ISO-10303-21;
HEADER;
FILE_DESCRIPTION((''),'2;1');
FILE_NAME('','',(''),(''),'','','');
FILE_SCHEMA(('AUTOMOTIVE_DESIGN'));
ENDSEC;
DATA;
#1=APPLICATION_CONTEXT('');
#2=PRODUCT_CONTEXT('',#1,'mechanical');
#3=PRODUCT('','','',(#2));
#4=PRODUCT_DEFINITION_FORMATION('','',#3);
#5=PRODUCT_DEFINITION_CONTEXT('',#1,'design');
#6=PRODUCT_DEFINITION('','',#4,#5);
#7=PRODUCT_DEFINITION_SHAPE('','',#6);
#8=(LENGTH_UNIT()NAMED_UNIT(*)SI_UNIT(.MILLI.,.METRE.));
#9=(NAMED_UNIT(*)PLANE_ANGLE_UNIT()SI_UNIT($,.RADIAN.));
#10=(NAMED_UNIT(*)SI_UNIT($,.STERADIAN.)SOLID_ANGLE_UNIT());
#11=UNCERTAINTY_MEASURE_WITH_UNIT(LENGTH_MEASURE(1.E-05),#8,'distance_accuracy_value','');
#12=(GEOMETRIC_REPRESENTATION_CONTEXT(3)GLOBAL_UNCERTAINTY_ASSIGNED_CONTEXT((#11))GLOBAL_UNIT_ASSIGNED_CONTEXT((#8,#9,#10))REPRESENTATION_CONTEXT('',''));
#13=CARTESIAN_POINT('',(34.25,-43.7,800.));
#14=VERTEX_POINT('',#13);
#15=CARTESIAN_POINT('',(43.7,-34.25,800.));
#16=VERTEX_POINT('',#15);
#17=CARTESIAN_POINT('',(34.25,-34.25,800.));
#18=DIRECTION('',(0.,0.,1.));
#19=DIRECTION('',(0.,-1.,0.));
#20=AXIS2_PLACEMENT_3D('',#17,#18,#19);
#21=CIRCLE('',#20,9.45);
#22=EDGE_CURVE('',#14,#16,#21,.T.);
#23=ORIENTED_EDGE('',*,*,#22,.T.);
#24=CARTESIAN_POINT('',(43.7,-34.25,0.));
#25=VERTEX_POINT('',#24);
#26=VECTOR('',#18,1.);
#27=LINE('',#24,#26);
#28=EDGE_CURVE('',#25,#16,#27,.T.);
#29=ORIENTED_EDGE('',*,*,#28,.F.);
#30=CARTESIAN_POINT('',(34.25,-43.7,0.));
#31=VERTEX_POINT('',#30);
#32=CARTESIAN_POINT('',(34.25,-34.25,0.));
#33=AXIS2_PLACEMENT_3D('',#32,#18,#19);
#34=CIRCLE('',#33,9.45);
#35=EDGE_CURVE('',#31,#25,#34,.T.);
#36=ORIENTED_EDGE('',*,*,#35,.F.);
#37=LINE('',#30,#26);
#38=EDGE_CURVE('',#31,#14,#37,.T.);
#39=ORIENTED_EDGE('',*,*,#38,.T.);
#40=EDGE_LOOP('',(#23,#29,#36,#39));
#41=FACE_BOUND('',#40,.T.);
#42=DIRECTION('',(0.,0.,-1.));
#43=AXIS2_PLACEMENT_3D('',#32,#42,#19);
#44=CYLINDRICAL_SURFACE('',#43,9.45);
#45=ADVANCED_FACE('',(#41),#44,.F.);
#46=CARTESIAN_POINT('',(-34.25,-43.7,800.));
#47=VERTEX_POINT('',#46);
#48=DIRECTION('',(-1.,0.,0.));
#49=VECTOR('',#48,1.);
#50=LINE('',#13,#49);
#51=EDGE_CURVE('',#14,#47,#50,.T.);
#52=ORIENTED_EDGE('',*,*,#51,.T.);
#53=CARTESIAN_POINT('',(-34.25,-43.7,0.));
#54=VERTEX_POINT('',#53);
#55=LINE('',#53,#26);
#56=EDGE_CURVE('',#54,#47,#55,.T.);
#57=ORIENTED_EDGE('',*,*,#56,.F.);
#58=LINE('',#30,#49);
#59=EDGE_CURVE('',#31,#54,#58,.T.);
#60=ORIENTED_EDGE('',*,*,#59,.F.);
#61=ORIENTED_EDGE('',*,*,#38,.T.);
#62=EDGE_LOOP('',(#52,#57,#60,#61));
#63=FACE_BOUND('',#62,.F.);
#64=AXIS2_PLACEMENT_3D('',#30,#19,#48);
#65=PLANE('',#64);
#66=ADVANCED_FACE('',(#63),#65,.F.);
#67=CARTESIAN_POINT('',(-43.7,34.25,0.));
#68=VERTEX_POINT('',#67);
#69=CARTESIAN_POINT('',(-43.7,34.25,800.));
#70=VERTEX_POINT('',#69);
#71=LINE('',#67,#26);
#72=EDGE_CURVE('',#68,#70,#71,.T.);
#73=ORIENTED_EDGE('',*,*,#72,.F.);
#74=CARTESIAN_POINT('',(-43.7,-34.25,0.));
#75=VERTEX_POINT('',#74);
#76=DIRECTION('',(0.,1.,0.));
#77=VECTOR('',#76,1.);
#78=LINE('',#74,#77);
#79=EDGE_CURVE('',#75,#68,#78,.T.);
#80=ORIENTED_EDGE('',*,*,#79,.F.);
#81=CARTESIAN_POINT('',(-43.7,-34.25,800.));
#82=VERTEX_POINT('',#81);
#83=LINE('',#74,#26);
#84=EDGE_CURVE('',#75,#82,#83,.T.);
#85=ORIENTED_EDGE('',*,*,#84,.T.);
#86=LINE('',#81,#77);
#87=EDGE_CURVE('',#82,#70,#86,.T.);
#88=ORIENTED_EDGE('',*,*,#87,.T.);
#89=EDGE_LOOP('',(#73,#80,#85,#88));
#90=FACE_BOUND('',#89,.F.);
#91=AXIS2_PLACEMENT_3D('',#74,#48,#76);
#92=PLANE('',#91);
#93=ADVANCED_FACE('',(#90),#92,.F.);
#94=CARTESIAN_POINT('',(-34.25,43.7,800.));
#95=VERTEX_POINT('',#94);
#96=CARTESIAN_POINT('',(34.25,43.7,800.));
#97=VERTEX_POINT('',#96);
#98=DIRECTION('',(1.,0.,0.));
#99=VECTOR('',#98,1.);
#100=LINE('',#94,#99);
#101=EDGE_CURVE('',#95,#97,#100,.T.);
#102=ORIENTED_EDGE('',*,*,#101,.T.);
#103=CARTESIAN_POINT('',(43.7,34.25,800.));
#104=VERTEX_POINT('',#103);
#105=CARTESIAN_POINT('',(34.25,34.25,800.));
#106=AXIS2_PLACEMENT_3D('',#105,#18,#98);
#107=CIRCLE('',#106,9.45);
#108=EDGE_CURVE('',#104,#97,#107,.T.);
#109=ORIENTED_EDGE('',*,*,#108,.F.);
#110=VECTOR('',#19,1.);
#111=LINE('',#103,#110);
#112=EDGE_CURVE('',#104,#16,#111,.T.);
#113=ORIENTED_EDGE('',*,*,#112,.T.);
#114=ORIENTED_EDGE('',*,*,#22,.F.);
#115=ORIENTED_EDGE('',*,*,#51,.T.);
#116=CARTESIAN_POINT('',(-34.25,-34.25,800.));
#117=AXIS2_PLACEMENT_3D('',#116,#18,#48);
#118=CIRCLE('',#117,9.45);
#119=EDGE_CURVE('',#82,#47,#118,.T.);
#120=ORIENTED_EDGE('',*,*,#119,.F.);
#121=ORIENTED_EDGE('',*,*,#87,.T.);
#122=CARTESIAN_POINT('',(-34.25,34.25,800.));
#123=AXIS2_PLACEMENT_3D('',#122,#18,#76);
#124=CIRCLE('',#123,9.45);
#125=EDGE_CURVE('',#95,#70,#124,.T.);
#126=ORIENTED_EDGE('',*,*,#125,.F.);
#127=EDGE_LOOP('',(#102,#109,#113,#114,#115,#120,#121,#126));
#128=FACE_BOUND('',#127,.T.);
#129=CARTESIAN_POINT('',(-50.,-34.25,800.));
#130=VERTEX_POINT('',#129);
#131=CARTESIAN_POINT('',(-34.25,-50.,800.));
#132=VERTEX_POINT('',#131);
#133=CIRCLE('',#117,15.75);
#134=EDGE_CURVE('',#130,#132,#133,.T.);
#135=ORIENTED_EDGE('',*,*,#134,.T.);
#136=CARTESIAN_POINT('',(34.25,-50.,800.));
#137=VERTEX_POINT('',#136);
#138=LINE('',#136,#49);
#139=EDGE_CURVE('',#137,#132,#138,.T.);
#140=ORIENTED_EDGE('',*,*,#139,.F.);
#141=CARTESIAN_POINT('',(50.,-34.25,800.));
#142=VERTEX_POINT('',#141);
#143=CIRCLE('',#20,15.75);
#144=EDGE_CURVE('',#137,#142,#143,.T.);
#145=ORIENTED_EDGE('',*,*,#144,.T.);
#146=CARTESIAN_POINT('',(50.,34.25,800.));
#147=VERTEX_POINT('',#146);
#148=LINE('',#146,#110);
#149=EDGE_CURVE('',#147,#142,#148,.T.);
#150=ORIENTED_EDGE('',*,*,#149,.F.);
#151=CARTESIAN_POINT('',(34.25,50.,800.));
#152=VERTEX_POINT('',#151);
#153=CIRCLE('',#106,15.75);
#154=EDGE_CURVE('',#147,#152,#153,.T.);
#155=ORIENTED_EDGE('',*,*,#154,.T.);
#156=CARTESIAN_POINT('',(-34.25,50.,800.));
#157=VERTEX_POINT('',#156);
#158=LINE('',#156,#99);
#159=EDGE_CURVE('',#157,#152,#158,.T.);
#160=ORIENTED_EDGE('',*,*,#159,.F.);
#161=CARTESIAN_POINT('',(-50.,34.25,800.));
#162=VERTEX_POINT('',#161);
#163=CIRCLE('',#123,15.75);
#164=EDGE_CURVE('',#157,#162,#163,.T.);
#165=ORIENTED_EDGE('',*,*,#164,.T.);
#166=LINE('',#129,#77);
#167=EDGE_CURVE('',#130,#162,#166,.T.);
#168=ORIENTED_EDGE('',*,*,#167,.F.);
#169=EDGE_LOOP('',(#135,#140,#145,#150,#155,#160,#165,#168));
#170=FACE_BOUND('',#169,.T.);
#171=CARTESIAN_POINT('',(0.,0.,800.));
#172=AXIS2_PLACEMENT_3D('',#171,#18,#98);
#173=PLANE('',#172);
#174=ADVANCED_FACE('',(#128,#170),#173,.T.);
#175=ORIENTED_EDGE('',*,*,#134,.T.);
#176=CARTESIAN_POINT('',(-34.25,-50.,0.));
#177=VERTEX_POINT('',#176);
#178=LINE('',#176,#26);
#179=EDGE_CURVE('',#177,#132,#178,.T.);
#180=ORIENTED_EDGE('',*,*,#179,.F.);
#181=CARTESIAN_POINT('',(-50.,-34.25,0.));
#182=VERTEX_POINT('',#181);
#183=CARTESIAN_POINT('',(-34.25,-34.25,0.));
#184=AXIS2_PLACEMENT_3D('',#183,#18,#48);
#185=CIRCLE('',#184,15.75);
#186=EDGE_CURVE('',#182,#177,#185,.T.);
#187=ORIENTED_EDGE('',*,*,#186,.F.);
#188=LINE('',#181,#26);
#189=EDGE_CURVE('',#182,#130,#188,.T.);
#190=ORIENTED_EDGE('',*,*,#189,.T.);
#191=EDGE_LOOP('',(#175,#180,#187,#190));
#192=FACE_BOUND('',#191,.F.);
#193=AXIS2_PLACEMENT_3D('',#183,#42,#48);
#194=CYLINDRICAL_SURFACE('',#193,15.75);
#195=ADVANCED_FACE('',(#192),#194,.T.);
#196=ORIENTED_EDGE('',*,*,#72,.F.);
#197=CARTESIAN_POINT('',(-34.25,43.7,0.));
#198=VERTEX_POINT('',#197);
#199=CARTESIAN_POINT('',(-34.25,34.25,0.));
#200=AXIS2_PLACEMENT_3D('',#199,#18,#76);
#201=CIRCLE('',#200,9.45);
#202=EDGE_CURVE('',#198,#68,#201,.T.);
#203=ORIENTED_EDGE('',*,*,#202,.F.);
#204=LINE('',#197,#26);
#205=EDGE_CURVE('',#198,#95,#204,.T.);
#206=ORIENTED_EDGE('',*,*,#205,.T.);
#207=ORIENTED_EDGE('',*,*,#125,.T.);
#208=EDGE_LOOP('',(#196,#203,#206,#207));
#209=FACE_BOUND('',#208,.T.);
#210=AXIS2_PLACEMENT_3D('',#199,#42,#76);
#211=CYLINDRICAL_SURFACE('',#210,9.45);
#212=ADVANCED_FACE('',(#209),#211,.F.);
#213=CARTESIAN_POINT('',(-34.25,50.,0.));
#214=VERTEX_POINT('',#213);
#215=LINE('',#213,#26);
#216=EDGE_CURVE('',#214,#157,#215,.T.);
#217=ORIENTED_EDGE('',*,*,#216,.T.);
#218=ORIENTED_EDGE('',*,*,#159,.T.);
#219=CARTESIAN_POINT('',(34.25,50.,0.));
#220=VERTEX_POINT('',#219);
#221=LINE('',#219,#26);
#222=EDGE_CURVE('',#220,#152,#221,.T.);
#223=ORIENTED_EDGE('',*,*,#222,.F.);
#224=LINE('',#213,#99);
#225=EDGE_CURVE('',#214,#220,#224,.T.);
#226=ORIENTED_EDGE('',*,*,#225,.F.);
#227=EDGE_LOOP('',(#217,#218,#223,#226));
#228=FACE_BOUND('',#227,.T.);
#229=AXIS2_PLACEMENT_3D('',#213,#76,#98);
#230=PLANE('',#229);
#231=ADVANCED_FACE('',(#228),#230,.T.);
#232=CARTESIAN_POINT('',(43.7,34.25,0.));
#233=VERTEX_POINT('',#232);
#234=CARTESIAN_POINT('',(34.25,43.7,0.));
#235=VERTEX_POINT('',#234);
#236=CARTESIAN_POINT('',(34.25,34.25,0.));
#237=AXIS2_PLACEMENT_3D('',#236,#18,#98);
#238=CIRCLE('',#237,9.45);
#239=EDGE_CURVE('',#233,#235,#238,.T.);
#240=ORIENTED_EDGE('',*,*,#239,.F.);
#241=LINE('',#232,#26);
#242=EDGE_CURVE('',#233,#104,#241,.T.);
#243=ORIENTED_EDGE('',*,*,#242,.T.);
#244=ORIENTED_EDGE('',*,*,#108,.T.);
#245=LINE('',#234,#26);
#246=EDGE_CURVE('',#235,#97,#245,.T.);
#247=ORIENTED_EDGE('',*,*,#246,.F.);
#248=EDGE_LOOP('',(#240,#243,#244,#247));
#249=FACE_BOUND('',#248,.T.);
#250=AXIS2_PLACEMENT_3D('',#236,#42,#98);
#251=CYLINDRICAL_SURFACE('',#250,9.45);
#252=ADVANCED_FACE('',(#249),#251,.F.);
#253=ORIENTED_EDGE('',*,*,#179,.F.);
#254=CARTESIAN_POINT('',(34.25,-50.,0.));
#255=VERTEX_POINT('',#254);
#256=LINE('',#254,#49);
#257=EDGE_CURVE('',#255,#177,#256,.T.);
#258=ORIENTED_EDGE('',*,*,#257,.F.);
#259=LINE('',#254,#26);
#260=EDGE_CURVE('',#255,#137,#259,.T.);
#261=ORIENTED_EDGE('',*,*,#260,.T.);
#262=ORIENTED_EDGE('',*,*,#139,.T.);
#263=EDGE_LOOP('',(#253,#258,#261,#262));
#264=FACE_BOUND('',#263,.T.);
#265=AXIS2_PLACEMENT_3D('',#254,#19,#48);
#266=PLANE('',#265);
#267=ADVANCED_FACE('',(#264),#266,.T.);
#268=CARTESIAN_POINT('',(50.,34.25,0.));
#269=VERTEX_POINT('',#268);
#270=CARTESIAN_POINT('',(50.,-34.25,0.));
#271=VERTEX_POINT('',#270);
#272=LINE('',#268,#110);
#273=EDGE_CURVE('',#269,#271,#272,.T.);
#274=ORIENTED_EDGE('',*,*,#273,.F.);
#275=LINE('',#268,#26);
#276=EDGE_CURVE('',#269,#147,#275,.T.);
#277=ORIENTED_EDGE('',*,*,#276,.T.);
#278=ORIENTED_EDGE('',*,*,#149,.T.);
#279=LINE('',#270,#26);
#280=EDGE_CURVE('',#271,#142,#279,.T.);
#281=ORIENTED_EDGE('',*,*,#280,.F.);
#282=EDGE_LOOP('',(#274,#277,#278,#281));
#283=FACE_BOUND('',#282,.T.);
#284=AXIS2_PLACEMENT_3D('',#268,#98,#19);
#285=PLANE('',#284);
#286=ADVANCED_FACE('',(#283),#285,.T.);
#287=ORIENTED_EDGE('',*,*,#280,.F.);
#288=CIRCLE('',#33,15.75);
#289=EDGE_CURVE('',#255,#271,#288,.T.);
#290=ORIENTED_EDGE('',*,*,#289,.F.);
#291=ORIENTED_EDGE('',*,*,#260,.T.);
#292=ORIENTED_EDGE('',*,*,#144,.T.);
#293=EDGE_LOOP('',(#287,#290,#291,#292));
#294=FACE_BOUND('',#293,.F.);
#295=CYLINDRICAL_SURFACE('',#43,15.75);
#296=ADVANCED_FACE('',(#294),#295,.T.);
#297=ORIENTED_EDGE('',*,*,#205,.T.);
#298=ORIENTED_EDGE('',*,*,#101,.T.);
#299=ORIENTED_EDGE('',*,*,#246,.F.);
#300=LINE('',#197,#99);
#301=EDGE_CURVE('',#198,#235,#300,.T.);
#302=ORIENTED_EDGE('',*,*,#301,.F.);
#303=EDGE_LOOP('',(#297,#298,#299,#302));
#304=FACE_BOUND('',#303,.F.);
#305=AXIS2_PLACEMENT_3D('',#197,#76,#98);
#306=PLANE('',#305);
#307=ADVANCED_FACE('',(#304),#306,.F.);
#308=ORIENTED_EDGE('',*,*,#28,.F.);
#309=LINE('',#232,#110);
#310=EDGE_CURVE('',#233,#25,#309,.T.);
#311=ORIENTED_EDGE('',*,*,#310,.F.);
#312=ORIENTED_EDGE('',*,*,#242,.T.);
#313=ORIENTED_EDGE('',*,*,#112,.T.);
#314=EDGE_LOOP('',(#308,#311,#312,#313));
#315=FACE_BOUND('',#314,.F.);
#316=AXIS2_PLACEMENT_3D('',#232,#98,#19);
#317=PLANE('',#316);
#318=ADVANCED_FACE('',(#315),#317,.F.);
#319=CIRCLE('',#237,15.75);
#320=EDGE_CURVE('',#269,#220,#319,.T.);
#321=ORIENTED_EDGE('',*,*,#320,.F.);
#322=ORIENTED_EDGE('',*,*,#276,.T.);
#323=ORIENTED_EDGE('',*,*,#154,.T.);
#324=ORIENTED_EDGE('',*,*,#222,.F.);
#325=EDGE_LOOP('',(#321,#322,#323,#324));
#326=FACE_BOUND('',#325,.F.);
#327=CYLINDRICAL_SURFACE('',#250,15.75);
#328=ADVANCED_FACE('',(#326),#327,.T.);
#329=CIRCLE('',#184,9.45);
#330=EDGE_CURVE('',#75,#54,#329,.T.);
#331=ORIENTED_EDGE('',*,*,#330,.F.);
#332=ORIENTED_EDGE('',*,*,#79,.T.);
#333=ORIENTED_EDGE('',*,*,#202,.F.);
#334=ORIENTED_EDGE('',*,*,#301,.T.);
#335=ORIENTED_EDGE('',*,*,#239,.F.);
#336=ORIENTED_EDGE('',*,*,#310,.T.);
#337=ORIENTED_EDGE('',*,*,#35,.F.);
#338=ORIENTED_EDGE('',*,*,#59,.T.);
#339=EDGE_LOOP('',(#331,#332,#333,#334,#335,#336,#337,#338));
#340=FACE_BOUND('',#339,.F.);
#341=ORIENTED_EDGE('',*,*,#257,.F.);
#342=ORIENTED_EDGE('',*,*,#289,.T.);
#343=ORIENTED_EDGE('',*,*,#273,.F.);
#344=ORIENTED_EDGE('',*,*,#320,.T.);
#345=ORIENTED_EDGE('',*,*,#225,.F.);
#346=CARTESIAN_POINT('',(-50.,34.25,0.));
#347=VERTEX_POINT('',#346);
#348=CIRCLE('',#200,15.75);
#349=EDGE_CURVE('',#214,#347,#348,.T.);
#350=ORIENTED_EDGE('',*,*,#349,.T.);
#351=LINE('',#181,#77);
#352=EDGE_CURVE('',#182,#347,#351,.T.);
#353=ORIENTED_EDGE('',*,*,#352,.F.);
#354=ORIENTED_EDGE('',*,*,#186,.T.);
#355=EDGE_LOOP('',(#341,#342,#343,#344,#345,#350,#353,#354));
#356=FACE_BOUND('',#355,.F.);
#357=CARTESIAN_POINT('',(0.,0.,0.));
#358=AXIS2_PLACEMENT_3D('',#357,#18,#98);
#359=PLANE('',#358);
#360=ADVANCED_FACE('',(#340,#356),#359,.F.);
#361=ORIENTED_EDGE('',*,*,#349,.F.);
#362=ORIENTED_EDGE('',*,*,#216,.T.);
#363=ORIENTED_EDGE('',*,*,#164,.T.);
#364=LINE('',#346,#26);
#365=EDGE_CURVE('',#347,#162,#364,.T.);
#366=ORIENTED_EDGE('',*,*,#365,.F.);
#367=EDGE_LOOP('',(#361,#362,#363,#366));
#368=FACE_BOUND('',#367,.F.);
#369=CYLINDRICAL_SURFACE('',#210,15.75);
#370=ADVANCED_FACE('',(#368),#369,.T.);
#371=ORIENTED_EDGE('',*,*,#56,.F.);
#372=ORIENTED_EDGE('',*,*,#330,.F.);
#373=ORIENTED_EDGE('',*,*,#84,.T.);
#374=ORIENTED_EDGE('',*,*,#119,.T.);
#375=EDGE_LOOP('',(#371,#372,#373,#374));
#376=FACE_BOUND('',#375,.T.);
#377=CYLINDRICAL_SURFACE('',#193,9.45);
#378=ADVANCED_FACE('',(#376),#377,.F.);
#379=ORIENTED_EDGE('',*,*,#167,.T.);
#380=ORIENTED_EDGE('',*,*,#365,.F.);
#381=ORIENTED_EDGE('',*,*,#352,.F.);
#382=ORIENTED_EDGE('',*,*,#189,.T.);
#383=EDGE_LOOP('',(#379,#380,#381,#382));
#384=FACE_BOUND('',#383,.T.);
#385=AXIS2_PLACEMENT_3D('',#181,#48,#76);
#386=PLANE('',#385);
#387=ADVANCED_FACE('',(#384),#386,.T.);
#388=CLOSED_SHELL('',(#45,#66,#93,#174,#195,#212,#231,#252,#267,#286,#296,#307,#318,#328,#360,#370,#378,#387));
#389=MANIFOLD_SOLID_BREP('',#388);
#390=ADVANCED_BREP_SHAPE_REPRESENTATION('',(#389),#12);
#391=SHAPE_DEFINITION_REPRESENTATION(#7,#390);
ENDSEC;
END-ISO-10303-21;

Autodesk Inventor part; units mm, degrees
ref_plane "YZ Plane" through (0, 0, 0) normal (1, 0, 0) x (0, 1, 0)
ref_plane "Start Plane" through (0, 0, 0) normal (0, 0, 1) x (1, 0, 0)
ref_plane "End Plane" through (0, 0, 800) normal (0, 0, 1) x (1, 0, 0)
sketch "Sketch" plane through (0, 0, 0) normal (0, 0, 1) x (1, 0, 0)
  line L0 (-50, -34.25) -> (-50, 34.25)
  line L1 (-34.25, 50) -> (34.25, 50)
  line L2 (50, 34.25) -> (50, -34.25)
  line L3 (34.25, -50) -> (-34.25, -50)
  arc A0 (-50, -34.25) -> (-34.25, -50) centre (-34.25, -34.25) ccw
  arc A1 (50, 34.25) -> (34.25, 50) centre (34.25, 34.25) ccw
  arc A2 (-34.25, 50) -> (-50, 34.25) centre (-34.25, 34.25) ccw
  arc A3 (34.25, -50) -> (50, -34.25) centre (34.25, -34.25) ccw
  arc A4 (-34.25, 43.7) -> (-43.7, 34.25) centre (-34.25, 34.25) ccw
  line L4 (-34.25, 43.7) -> (34.25, 43.7)
  arc A5 (43.7, 34.25) -> (34.25, 43.7) centre (34.25, 34.25) ccw
  line L5 (43.7, 34.25) -> (43.7, -34.25)
  arc A6 (34.25, -43.7) -> (43.7, -34.25) centre (34.25, -34.25) ccw
  line L6 (34.25, -43.7) -> (-34.25, -43.7)
  arc A7 (-43.7, -34.25) -> (-34.25, -43.7) centre (-34.25, -34.25) ccw
  line L7 (-43.7, -34.25) -> (-43.7, 34.25)
  line L8 (0, 74.5667) -> (0, -74.5667) construction
  line L9 (-74.5667, 0) -> (74.5667, 0) construction
  dimension "d7" = 15.75
  dimension "d9" = 100
  dimension "d11" = 100
  dimension "d12" = 6.3
  dimension "d15" = 50
  dimension "d16" = 50
extrude "Body" add sketch "Sketch" along normal up to surface (800 mm away) from surface at 0
sketch "Sketch3" plane through (0, 0, 0) normal (0, 0, 1) x (1, 0, 0)
  line L0 (0, 0) -> (10, 0)
ref_plane "Work Plane3" through (0, 0, 0) normal (0, -1, 0) x (1, 0, 0)
sketch "Sketch4" plane through (0, 0, 0) normal (0, -1, 0) x (1, 0, 0)
  line L0 (-2, 0) -> (12, 0)
  line L1 (-2, 800) -> (12, 800)
  dimension "d18" = 800
equation "\"d7\" = G_IR"
equation "\"d9\" = G_W"
equation "\"d11\" = G_H"
equation "\"d12\" = G_T"
equation "\"d15\" = 0.5 * d9"
equation "\"d16\" = 0.5 * d11"
equation "\"d3\" = G_L"
equation "\"G_W\" = 100"
equation "\"G_H\" = 100"
equation "\"G_T\" = 6.3"
equation "\"G_IR\" = 15.75"
equation "\"G_L\" = d18"
equation "\"G_OFFSET_START\" = 0"
equation "\"G_OFFSET_END\" = 0"
properties part number "ISO 4019 - 100x100x6.3 - 800" material "Steel, Mild"
